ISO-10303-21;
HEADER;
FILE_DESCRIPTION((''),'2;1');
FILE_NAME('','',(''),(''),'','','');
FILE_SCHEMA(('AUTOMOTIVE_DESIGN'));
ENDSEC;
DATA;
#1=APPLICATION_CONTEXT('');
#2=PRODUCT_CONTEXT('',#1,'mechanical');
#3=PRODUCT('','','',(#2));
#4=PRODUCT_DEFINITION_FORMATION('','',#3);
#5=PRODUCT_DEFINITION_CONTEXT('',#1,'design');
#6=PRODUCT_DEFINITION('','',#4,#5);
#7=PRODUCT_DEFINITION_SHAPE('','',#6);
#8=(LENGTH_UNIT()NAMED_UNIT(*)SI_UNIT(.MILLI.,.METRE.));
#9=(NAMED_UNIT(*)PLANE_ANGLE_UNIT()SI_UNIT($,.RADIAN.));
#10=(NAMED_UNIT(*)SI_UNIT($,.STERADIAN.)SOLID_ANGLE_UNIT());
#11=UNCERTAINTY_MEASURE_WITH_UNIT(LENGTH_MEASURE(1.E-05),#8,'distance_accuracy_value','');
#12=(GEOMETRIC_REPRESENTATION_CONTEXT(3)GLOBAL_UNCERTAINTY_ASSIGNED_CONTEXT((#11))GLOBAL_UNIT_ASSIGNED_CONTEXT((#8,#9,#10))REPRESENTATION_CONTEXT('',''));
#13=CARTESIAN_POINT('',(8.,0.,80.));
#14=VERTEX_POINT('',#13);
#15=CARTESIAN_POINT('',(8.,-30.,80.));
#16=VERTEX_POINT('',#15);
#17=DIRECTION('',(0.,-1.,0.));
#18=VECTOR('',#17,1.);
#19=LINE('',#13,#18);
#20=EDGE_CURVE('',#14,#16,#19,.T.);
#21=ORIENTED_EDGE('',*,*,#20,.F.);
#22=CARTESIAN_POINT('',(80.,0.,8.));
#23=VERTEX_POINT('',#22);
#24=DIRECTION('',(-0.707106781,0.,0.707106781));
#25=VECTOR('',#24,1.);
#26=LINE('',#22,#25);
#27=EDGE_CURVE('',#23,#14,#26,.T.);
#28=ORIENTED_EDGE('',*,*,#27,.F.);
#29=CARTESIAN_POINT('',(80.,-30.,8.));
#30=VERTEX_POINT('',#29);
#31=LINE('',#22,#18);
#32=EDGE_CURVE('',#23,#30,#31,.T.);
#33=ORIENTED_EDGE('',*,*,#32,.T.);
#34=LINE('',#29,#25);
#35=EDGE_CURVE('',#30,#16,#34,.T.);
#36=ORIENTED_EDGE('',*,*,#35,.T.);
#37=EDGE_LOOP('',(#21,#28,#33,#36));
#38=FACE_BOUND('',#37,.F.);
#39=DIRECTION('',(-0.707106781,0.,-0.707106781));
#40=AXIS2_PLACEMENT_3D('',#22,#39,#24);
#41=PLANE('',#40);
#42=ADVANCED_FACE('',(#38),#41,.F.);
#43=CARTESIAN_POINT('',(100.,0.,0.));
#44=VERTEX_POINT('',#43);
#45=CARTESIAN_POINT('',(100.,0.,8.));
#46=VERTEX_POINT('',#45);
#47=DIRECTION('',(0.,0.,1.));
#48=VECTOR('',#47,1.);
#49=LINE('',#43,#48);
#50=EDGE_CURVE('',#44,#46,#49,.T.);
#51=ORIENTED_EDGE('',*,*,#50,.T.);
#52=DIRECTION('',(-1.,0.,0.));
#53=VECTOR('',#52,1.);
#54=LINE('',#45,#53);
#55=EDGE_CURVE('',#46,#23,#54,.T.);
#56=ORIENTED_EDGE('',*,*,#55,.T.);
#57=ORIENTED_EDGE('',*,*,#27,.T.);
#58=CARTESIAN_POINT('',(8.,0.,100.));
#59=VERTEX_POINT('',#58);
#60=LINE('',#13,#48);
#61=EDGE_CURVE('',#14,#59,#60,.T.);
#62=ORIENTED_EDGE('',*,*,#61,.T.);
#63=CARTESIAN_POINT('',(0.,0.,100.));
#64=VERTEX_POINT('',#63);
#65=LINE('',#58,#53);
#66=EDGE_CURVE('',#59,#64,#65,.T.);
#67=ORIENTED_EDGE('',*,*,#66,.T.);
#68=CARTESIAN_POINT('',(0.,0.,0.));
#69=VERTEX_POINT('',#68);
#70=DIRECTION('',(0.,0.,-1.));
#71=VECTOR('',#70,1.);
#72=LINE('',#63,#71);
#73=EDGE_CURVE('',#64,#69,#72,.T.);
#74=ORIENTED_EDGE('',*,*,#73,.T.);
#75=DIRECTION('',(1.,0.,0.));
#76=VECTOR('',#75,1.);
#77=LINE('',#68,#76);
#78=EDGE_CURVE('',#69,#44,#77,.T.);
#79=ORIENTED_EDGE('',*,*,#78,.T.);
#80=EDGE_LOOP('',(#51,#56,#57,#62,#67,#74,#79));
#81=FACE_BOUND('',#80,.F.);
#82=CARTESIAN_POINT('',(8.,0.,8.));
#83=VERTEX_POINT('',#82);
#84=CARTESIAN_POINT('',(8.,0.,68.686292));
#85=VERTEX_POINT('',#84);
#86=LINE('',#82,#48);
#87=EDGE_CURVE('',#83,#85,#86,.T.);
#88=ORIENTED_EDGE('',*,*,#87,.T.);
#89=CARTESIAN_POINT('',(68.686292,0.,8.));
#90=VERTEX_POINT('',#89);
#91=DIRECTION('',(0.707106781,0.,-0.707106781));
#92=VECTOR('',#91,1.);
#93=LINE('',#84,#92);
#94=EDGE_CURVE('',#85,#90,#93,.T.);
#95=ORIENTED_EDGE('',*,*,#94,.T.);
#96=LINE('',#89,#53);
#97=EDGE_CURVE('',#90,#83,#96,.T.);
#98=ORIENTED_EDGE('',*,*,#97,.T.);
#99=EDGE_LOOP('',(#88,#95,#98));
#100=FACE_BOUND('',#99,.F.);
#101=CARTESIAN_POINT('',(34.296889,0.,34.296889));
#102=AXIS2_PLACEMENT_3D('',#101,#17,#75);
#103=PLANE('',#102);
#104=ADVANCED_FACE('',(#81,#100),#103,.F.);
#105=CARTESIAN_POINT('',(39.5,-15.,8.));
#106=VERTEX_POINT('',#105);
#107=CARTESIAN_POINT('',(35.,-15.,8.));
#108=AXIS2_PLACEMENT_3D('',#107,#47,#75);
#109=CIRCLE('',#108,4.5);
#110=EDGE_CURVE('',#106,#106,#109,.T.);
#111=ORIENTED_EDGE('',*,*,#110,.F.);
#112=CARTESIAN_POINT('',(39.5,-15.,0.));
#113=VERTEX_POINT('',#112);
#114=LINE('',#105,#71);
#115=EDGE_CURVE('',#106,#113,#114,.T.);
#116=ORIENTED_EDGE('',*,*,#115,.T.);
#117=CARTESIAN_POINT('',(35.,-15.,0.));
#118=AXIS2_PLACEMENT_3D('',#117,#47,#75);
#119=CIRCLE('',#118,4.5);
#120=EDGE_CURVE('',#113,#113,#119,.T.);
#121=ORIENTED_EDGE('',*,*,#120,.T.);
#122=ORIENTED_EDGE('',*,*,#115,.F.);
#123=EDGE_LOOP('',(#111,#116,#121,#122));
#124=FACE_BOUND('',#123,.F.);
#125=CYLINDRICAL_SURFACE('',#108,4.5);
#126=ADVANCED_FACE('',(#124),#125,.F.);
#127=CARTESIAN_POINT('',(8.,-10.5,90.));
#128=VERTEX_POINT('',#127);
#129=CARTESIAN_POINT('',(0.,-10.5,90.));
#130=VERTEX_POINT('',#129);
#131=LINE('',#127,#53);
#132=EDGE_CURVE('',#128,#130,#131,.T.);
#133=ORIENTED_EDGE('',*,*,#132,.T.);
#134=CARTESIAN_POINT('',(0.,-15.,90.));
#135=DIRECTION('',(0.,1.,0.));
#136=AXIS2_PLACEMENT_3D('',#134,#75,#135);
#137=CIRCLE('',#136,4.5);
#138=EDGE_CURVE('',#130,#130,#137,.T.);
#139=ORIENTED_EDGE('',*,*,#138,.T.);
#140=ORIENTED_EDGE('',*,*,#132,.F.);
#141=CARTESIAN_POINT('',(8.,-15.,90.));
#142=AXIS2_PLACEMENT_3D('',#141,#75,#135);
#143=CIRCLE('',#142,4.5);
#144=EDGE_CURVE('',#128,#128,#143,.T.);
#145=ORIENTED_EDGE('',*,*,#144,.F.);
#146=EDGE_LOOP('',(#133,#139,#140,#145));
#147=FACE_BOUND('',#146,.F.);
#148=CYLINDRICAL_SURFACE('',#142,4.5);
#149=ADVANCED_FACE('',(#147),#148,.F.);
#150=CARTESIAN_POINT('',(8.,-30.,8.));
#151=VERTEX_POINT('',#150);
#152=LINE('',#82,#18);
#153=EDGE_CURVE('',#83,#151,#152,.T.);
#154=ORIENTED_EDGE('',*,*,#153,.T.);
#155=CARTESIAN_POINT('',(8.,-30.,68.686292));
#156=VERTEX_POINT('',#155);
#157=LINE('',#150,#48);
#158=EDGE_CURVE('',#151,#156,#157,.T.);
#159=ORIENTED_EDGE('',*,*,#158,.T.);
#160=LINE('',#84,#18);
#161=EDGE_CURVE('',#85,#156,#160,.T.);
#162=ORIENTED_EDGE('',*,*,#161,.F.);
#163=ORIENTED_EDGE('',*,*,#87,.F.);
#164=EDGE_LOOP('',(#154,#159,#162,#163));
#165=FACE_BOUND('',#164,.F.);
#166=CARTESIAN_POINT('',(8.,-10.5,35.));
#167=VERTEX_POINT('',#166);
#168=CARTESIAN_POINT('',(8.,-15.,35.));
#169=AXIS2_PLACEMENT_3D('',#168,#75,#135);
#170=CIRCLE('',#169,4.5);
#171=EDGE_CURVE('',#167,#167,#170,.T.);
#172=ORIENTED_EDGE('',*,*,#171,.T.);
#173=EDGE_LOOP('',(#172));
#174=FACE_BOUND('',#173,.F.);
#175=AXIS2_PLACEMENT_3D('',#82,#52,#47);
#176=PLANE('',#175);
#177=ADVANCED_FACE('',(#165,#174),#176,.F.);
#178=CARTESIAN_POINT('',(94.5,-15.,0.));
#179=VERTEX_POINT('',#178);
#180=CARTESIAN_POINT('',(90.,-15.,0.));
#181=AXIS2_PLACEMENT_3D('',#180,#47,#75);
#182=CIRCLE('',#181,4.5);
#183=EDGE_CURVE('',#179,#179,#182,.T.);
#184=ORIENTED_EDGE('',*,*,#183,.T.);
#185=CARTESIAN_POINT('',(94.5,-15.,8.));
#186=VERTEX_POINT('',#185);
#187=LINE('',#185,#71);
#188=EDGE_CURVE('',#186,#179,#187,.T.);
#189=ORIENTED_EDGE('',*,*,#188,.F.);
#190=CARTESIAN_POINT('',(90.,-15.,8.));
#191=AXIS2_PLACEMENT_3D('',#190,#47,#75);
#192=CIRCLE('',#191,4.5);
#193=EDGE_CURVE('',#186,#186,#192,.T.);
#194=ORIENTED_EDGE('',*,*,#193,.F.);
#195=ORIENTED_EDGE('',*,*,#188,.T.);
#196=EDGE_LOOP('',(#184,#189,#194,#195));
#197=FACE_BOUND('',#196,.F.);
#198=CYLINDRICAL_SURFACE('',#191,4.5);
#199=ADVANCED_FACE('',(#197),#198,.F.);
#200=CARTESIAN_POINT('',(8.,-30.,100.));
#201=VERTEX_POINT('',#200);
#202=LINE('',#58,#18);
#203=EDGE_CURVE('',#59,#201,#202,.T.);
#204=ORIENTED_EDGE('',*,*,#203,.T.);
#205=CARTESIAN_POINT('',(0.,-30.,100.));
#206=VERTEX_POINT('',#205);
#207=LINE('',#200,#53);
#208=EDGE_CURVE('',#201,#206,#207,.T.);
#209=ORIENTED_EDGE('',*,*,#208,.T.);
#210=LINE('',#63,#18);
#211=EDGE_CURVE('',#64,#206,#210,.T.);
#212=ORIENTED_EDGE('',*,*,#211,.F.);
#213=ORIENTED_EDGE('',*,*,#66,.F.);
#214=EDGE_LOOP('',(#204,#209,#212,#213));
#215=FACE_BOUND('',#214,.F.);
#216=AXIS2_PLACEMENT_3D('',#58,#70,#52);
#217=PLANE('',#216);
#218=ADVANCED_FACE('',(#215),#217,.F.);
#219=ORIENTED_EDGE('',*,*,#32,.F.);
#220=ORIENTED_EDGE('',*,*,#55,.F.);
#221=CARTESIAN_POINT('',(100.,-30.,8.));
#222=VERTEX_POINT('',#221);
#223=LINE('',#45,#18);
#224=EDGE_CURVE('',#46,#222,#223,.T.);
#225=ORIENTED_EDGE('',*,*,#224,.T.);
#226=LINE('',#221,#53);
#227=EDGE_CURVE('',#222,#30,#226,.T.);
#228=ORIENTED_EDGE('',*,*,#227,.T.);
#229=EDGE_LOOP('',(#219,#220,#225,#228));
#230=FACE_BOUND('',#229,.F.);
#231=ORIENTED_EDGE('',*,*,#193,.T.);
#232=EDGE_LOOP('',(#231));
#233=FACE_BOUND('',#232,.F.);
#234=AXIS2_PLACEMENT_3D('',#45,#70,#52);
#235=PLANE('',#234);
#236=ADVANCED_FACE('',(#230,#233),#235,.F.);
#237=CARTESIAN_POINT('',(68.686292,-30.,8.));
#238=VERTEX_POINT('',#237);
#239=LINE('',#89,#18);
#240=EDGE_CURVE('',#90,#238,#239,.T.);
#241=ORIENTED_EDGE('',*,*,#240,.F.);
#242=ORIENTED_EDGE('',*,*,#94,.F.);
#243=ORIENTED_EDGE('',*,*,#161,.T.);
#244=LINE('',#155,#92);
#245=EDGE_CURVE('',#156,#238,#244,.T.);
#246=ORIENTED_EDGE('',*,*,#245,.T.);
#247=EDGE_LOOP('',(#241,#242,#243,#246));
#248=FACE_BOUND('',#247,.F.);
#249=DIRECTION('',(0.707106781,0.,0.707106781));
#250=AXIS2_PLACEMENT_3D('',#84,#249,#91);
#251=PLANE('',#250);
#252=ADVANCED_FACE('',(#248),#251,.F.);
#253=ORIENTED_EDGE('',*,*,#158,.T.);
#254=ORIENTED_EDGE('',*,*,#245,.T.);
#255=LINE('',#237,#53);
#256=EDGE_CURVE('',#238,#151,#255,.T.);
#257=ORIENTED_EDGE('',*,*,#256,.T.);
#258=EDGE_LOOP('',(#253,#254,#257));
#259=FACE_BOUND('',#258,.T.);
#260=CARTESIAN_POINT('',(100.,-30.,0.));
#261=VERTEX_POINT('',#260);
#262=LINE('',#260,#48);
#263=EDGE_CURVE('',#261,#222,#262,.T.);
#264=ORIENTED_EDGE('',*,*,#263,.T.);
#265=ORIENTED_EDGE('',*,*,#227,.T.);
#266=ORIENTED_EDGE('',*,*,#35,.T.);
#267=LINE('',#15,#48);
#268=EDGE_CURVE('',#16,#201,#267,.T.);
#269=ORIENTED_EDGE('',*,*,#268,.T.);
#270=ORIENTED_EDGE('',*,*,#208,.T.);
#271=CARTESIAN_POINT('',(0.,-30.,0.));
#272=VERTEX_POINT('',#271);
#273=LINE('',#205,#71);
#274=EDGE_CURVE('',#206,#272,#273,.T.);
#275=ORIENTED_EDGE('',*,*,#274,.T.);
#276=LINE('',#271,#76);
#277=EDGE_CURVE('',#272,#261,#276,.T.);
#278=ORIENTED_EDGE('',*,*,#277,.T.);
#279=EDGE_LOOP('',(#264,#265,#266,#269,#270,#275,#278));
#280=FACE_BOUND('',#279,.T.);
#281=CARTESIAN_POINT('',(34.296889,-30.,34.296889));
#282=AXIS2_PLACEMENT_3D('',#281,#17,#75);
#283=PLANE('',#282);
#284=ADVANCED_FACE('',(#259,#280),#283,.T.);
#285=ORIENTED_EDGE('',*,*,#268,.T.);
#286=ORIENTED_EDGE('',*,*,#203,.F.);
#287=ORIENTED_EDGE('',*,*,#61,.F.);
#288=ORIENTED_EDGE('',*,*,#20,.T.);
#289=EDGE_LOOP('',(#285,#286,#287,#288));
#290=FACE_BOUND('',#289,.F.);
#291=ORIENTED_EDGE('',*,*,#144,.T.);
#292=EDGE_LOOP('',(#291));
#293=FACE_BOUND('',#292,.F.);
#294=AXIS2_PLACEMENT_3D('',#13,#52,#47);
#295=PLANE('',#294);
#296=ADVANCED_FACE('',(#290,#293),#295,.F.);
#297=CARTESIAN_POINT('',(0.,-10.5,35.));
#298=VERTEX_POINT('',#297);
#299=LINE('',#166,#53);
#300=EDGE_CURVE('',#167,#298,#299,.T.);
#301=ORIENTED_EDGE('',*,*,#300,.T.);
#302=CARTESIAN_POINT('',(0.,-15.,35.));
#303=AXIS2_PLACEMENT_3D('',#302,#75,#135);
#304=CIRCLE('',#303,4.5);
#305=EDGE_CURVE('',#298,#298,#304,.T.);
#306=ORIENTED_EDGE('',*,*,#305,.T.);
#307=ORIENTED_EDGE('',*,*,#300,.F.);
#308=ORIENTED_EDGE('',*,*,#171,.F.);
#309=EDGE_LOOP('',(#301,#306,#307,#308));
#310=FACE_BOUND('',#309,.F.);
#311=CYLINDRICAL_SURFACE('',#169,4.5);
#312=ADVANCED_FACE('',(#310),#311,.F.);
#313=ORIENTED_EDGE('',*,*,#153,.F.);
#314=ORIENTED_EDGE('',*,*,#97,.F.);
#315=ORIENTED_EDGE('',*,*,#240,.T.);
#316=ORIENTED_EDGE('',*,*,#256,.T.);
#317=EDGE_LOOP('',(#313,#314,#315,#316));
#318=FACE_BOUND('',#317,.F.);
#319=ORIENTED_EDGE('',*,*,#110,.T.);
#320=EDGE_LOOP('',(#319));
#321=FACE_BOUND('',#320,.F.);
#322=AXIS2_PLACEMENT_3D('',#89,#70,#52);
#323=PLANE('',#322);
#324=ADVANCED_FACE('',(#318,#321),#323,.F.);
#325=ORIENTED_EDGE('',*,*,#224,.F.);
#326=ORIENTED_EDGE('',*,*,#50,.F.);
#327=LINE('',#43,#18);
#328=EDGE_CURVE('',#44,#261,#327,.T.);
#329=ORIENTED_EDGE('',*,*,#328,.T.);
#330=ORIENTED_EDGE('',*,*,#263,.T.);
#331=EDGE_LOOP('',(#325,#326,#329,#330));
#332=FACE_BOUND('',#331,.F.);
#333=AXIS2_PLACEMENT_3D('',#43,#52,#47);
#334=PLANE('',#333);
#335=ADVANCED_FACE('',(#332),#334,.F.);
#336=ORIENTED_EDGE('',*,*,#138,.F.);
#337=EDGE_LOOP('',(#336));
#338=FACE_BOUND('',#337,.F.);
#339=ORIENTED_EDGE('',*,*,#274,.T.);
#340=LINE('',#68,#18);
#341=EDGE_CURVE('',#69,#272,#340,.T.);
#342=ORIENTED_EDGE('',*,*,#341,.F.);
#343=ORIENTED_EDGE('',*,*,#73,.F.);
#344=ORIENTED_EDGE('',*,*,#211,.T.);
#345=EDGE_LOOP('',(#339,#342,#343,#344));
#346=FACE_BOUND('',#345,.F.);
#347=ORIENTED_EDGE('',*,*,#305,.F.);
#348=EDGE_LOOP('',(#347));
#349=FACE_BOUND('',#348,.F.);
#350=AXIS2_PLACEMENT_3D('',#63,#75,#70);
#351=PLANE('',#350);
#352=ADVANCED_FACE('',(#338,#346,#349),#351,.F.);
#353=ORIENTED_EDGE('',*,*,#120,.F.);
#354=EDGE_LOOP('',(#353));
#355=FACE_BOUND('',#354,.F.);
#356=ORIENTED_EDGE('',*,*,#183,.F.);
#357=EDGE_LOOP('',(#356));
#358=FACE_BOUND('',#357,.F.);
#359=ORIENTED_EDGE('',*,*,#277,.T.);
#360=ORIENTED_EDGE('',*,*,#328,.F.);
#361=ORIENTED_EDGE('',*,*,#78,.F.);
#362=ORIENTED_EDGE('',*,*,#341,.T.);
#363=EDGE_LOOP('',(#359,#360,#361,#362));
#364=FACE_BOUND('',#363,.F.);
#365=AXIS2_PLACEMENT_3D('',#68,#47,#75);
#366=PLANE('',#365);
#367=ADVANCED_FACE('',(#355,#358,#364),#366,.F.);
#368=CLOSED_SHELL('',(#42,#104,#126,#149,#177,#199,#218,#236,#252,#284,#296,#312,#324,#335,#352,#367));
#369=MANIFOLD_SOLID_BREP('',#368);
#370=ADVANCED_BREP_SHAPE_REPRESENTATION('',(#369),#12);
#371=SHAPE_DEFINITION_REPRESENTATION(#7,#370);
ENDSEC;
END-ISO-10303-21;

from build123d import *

# Parameters (mm, degrees)
F1_DEPTH = 30
F3_D     = 9
F3_DEPTH = 8.001
F5_D     = 9
F5_DEPTH = 8.001


with BuildPart() as f1:
    # F0 (on Front) → F1 (new body)
    with BuildSketch(Plane.XZ):
        Polygon((0, 100), (0, 0), (100, 0), (100, 8), (80, 8), (8, 80), (8, 100), align=None)
        Polygon((8, 8), (8, 68.686291501), (68.686291501, 8), align=None, mode=Mode.SUBTRACT)
    extrude(amount=F1_DEPTH)

    # F3 (through all, one way)
    with BuildSketch(Plane.XY.offset(8)):
        with Locations((35, -15), (90, -15)):
            Circle(F3_D / 2)
    extrude(amount=-F3_DEPTH, mode=Mode.SUBTRACT)

    # F5 (through all, one way)
    with BuildSketch(Plane.YZ.offset(8)):
        with Locations((-15, 90), (-15, 35)):
            Circle(F5_D / 2)
    extrude(amount=-F5_DEPTH, mode=Mode.SUBTRACT)


solid = f1.part
